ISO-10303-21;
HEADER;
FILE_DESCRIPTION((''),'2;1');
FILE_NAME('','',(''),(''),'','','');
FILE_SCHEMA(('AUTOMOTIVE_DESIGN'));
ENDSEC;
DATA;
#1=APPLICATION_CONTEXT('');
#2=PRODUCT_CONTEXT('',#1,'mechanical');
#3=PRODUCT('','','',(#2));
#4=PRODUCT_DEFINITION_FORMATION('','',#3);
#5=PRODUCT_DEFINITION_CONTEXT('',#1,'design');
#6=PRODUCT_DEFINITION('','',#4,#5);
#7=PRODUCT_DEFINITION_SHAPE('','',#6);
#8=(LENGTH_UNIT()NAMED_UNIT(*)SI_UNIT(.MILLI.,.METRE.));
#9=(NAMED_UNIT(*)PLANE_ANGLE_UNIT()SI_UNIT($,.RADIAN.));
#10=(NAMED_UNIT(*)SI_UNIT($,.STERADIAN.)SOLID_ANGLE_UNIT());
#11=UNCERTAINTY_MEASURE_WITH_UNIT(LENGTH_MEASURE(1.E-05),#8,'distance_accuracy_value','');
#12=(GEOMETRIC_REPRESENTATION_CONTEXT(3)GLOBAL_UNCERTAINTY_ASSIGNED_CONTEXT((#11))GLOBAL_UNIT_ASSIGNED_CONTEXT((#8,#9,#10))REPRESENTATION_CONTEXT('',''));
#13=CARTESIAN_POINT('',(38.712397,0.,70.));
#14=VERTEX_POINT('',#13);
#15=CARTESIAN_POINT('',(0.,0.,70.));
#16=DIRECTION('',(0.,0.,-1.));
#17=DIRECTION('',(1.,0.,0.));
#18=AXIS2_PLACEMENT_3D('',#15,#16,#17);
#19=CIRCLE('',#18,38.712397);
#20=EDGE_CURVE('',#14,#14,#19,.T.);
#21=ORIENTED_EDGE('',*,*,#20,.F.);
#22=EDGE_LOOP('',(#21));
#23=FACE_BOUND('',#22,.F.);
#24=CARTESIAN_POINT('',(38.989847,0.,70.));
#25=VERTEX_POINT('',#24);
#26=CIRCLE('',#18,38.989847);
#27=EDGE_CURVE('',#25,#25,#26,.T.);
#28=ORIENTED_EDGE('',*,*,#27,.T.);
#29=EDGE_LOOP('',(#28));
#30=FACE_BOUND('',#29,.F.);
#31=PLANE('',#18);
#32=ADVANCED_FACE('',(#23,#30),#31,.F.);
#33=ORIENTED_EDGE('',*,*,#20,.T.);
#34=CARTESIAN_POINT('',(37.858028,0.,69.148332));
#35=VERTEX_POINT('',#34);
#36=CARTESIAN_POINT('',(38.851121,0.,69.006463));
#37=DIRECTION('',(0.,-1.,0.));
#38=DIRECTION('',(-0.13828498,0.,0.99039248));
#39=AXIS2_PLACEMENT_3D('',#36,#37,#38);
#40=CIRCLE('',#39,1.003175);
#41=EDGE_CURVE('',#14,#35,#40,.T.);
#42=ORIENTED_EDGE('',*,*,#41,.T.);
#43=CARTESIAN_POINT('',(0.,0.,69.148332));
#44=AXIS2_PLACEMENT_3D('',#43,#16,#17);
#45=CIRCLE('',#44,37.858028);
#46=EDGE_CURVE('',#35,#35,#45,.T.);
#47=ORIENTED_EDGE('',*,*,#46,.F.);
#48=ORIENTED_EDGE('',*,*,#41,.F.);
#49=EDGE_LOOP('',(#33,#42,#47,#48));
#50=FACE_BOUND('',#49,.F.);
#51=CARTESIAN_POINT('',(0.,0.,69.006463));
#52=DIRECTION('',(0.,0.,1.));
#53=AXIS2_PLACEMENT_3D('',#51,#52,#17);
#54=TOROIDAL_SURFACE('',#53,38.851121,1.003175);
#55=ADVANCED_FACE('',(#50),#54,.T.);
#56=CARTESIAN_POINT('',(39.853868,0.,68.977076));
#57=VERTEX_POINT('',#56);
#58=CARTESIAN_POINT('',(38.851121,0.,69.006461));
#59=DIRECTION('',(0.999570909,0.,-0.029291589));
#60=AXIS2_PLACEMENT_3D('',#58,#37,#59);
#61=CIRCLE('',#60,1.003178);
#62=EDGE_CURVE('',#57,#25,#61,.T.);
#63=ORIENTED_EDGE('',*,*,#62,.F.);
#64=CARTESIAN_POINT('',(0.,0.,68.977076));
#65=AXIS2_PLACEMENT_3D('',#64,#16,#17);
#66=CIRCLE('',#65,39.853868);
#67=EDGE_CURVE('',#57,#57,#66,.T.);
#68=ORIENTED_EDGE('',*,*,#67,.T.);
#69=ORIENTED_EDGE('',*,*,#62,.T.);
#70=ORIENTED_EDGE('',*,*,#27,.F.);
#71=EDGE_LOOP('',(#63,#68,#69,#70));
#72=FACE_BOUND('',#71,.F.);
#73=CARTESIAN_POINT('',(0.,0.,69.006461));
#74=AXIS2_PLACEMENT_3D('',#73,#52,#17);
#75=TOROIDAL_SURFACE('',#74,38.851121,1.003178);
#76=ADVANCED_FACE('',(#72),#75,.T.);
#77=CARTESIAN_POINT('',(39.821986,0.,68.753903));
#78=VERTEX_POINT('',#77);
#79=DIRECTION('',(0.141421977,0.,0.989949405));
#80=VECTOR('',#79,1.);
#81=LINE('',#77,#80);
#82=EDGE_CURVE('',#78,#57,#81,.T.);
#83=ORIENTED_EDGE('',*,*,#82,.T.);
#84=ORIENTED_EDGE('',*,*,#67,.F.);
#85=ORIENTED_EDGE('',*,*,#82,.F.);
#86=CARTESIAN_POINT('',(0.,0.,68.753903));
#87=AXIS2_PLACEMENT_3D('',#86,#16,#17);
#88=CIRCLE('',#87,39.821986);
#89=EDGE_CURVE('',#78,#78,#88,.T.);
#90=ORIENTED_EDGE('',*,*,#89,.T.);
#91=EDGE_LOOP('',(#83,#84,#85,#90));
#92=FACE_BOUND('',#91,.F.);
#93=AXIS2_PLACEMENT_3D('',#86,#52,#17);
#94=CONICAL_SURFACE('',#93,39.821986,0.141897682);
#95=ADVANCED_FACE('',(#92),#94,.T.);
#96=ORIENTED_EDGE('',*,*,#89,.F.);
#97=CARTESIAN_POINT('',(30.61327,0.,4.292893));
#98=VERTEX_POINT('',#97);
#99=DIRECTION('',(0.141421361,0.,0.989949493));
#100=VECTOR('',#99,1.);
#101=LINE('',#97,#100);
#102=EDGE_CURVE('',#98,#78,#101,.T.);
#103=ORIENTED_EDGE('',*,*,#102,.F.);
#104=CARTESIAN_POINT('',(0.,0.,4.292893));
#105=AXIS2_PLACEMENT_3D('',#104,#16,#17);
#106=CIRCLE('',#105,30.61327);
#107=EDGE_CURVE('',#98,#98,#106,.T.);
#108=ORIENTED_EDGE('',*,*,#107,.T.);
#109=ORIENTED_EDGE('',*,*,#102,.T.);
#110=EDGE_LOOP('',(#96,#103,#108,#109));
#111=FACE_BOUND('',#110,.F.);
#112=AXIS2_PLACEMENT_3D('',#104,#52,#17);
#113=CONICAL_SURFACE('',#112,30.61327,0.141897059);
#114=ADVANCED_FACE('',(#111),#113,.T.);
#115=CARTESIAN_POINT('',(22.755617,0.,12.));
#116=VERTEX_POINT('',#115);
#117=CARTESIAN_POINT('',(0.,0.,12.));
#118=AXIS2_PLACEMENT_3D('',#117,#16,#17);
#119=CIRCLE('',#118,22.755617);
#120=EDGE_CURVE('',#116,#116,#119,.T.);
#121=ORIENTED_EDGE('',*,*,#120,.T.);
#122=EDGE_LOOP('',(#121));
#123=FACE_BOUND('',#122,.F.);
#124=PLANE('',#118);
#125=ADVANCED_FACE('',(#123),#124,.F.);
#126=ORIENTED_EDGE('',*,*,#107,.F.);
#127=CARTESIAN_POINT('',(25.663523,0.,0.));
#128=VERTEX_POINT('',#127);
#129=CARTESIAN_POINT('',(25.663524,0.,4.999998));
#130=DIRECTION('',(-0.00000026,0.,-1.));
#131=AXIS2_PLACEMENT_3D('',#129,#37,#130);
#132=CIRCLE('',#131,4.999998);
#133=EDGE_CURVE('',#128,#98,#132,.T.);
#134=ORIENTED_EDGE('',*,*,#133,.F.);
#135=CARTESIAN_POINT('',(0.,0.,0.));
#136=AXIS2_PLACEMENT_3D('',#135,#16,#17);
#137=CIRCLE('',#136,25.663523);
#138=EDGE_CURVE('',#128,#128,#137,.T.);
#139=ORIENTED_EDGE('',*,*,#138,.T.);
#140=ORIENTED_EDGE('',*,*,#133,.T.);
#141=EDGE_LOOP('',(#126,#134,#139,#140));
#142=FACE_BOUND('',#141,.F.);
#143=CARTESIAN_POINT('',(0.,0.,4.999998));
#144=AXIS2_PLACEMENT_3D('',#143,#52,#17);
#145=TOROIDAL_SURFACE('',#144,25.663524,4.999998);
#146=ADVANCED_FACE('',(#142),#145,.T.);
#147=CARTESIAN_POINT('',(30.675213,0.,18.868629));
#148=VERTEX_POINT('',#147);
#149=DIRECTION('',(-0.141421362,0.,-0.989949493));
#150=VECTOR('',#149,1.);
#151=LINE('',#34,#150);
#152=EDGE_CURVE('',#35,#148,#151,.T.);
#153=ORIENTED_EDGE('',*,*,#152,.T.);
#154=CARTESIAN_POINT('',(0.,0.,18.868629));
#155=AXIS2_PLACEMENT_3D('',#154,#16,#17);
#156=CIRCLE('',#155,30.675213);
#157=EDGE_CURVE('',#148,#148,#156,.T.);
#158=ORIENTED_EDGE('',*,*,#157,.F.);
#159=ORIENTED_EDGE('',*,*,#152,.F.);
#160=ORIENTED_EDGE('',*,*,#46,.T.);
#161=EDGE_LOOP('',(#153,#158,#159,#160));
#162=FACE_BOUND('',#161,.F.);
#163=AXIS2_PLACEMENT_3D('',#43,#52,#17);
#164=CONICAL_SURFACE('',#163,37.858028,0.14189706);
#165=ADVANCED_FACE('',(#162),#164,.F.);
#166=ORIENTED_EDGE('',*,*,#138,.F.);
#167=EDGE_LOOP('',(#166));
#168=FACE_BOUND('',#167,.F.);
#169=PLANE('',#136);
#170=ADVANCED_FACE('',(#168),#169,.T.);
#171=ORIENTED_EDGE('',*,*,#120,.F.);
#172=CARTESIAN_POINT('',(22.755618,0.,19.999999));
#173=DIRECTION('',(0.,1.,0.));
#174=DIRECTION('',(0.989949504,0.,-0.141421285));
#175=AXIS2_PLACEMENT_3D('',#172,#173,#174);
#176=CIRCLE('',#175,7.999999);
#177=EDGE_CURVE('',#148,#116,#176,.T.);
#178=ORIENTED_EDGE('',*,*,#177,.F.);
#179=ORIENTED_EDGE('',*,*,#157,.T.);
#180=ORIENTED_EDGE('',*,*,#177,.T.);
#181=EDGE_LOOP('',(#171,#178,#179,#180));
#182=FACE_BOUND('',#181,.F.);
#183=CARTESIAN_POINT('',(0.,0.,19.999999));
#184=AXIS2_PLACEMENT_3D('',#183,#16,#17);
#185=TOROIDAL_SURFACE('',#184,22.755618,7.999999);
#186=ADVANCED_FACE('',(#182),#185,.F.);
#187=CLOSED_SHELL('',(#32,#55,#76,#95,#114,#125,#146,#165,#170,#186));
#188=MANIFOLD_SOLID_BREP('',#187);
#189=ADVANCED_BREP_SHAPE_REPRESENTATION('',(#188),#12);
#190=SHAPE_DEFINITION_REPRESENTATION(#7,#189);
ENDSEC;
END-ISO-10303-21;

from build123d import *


with BuildPart() as f1:
    # F0 (on Front) → F1 (revolve)
    with BuildSketch(Plane.XZ):
        with BuildLine():
            Line((0, 12), (0, 0))
            Line((0, 0), (25.663523, 0))
            ThreePointArc((25.663523, 0), (28.939532, 1.22273), (30.61327, 4.292893))
            Line((30.61327, 4.292893), (39.821986, 68.753903))
            Line((39.821986, 68.753903), (39.853868, 68.977076))
            ThreePointArc((39.853868, 68.977076), (39.617498, 69.653787), (38.989847, 70))
            Line((38.989847, 70), (38.712397, 70))
            ThreePointArc((38.712397, 70), (38.142893, 69.716937), (37.858028, 69.148332))
            Line((37.858028, 69.148332), (30.675213, 18.868629))
            ThreePointArc((30.675213, 18.868629), (27.997231, 13.956368), (22.755617, 12))
            Line((22.755617, 12), (0, 12))
        make_face()
    revolve(axis=Axis((0, 0, 6), (0, 0, -1)))


solid = f1.part
